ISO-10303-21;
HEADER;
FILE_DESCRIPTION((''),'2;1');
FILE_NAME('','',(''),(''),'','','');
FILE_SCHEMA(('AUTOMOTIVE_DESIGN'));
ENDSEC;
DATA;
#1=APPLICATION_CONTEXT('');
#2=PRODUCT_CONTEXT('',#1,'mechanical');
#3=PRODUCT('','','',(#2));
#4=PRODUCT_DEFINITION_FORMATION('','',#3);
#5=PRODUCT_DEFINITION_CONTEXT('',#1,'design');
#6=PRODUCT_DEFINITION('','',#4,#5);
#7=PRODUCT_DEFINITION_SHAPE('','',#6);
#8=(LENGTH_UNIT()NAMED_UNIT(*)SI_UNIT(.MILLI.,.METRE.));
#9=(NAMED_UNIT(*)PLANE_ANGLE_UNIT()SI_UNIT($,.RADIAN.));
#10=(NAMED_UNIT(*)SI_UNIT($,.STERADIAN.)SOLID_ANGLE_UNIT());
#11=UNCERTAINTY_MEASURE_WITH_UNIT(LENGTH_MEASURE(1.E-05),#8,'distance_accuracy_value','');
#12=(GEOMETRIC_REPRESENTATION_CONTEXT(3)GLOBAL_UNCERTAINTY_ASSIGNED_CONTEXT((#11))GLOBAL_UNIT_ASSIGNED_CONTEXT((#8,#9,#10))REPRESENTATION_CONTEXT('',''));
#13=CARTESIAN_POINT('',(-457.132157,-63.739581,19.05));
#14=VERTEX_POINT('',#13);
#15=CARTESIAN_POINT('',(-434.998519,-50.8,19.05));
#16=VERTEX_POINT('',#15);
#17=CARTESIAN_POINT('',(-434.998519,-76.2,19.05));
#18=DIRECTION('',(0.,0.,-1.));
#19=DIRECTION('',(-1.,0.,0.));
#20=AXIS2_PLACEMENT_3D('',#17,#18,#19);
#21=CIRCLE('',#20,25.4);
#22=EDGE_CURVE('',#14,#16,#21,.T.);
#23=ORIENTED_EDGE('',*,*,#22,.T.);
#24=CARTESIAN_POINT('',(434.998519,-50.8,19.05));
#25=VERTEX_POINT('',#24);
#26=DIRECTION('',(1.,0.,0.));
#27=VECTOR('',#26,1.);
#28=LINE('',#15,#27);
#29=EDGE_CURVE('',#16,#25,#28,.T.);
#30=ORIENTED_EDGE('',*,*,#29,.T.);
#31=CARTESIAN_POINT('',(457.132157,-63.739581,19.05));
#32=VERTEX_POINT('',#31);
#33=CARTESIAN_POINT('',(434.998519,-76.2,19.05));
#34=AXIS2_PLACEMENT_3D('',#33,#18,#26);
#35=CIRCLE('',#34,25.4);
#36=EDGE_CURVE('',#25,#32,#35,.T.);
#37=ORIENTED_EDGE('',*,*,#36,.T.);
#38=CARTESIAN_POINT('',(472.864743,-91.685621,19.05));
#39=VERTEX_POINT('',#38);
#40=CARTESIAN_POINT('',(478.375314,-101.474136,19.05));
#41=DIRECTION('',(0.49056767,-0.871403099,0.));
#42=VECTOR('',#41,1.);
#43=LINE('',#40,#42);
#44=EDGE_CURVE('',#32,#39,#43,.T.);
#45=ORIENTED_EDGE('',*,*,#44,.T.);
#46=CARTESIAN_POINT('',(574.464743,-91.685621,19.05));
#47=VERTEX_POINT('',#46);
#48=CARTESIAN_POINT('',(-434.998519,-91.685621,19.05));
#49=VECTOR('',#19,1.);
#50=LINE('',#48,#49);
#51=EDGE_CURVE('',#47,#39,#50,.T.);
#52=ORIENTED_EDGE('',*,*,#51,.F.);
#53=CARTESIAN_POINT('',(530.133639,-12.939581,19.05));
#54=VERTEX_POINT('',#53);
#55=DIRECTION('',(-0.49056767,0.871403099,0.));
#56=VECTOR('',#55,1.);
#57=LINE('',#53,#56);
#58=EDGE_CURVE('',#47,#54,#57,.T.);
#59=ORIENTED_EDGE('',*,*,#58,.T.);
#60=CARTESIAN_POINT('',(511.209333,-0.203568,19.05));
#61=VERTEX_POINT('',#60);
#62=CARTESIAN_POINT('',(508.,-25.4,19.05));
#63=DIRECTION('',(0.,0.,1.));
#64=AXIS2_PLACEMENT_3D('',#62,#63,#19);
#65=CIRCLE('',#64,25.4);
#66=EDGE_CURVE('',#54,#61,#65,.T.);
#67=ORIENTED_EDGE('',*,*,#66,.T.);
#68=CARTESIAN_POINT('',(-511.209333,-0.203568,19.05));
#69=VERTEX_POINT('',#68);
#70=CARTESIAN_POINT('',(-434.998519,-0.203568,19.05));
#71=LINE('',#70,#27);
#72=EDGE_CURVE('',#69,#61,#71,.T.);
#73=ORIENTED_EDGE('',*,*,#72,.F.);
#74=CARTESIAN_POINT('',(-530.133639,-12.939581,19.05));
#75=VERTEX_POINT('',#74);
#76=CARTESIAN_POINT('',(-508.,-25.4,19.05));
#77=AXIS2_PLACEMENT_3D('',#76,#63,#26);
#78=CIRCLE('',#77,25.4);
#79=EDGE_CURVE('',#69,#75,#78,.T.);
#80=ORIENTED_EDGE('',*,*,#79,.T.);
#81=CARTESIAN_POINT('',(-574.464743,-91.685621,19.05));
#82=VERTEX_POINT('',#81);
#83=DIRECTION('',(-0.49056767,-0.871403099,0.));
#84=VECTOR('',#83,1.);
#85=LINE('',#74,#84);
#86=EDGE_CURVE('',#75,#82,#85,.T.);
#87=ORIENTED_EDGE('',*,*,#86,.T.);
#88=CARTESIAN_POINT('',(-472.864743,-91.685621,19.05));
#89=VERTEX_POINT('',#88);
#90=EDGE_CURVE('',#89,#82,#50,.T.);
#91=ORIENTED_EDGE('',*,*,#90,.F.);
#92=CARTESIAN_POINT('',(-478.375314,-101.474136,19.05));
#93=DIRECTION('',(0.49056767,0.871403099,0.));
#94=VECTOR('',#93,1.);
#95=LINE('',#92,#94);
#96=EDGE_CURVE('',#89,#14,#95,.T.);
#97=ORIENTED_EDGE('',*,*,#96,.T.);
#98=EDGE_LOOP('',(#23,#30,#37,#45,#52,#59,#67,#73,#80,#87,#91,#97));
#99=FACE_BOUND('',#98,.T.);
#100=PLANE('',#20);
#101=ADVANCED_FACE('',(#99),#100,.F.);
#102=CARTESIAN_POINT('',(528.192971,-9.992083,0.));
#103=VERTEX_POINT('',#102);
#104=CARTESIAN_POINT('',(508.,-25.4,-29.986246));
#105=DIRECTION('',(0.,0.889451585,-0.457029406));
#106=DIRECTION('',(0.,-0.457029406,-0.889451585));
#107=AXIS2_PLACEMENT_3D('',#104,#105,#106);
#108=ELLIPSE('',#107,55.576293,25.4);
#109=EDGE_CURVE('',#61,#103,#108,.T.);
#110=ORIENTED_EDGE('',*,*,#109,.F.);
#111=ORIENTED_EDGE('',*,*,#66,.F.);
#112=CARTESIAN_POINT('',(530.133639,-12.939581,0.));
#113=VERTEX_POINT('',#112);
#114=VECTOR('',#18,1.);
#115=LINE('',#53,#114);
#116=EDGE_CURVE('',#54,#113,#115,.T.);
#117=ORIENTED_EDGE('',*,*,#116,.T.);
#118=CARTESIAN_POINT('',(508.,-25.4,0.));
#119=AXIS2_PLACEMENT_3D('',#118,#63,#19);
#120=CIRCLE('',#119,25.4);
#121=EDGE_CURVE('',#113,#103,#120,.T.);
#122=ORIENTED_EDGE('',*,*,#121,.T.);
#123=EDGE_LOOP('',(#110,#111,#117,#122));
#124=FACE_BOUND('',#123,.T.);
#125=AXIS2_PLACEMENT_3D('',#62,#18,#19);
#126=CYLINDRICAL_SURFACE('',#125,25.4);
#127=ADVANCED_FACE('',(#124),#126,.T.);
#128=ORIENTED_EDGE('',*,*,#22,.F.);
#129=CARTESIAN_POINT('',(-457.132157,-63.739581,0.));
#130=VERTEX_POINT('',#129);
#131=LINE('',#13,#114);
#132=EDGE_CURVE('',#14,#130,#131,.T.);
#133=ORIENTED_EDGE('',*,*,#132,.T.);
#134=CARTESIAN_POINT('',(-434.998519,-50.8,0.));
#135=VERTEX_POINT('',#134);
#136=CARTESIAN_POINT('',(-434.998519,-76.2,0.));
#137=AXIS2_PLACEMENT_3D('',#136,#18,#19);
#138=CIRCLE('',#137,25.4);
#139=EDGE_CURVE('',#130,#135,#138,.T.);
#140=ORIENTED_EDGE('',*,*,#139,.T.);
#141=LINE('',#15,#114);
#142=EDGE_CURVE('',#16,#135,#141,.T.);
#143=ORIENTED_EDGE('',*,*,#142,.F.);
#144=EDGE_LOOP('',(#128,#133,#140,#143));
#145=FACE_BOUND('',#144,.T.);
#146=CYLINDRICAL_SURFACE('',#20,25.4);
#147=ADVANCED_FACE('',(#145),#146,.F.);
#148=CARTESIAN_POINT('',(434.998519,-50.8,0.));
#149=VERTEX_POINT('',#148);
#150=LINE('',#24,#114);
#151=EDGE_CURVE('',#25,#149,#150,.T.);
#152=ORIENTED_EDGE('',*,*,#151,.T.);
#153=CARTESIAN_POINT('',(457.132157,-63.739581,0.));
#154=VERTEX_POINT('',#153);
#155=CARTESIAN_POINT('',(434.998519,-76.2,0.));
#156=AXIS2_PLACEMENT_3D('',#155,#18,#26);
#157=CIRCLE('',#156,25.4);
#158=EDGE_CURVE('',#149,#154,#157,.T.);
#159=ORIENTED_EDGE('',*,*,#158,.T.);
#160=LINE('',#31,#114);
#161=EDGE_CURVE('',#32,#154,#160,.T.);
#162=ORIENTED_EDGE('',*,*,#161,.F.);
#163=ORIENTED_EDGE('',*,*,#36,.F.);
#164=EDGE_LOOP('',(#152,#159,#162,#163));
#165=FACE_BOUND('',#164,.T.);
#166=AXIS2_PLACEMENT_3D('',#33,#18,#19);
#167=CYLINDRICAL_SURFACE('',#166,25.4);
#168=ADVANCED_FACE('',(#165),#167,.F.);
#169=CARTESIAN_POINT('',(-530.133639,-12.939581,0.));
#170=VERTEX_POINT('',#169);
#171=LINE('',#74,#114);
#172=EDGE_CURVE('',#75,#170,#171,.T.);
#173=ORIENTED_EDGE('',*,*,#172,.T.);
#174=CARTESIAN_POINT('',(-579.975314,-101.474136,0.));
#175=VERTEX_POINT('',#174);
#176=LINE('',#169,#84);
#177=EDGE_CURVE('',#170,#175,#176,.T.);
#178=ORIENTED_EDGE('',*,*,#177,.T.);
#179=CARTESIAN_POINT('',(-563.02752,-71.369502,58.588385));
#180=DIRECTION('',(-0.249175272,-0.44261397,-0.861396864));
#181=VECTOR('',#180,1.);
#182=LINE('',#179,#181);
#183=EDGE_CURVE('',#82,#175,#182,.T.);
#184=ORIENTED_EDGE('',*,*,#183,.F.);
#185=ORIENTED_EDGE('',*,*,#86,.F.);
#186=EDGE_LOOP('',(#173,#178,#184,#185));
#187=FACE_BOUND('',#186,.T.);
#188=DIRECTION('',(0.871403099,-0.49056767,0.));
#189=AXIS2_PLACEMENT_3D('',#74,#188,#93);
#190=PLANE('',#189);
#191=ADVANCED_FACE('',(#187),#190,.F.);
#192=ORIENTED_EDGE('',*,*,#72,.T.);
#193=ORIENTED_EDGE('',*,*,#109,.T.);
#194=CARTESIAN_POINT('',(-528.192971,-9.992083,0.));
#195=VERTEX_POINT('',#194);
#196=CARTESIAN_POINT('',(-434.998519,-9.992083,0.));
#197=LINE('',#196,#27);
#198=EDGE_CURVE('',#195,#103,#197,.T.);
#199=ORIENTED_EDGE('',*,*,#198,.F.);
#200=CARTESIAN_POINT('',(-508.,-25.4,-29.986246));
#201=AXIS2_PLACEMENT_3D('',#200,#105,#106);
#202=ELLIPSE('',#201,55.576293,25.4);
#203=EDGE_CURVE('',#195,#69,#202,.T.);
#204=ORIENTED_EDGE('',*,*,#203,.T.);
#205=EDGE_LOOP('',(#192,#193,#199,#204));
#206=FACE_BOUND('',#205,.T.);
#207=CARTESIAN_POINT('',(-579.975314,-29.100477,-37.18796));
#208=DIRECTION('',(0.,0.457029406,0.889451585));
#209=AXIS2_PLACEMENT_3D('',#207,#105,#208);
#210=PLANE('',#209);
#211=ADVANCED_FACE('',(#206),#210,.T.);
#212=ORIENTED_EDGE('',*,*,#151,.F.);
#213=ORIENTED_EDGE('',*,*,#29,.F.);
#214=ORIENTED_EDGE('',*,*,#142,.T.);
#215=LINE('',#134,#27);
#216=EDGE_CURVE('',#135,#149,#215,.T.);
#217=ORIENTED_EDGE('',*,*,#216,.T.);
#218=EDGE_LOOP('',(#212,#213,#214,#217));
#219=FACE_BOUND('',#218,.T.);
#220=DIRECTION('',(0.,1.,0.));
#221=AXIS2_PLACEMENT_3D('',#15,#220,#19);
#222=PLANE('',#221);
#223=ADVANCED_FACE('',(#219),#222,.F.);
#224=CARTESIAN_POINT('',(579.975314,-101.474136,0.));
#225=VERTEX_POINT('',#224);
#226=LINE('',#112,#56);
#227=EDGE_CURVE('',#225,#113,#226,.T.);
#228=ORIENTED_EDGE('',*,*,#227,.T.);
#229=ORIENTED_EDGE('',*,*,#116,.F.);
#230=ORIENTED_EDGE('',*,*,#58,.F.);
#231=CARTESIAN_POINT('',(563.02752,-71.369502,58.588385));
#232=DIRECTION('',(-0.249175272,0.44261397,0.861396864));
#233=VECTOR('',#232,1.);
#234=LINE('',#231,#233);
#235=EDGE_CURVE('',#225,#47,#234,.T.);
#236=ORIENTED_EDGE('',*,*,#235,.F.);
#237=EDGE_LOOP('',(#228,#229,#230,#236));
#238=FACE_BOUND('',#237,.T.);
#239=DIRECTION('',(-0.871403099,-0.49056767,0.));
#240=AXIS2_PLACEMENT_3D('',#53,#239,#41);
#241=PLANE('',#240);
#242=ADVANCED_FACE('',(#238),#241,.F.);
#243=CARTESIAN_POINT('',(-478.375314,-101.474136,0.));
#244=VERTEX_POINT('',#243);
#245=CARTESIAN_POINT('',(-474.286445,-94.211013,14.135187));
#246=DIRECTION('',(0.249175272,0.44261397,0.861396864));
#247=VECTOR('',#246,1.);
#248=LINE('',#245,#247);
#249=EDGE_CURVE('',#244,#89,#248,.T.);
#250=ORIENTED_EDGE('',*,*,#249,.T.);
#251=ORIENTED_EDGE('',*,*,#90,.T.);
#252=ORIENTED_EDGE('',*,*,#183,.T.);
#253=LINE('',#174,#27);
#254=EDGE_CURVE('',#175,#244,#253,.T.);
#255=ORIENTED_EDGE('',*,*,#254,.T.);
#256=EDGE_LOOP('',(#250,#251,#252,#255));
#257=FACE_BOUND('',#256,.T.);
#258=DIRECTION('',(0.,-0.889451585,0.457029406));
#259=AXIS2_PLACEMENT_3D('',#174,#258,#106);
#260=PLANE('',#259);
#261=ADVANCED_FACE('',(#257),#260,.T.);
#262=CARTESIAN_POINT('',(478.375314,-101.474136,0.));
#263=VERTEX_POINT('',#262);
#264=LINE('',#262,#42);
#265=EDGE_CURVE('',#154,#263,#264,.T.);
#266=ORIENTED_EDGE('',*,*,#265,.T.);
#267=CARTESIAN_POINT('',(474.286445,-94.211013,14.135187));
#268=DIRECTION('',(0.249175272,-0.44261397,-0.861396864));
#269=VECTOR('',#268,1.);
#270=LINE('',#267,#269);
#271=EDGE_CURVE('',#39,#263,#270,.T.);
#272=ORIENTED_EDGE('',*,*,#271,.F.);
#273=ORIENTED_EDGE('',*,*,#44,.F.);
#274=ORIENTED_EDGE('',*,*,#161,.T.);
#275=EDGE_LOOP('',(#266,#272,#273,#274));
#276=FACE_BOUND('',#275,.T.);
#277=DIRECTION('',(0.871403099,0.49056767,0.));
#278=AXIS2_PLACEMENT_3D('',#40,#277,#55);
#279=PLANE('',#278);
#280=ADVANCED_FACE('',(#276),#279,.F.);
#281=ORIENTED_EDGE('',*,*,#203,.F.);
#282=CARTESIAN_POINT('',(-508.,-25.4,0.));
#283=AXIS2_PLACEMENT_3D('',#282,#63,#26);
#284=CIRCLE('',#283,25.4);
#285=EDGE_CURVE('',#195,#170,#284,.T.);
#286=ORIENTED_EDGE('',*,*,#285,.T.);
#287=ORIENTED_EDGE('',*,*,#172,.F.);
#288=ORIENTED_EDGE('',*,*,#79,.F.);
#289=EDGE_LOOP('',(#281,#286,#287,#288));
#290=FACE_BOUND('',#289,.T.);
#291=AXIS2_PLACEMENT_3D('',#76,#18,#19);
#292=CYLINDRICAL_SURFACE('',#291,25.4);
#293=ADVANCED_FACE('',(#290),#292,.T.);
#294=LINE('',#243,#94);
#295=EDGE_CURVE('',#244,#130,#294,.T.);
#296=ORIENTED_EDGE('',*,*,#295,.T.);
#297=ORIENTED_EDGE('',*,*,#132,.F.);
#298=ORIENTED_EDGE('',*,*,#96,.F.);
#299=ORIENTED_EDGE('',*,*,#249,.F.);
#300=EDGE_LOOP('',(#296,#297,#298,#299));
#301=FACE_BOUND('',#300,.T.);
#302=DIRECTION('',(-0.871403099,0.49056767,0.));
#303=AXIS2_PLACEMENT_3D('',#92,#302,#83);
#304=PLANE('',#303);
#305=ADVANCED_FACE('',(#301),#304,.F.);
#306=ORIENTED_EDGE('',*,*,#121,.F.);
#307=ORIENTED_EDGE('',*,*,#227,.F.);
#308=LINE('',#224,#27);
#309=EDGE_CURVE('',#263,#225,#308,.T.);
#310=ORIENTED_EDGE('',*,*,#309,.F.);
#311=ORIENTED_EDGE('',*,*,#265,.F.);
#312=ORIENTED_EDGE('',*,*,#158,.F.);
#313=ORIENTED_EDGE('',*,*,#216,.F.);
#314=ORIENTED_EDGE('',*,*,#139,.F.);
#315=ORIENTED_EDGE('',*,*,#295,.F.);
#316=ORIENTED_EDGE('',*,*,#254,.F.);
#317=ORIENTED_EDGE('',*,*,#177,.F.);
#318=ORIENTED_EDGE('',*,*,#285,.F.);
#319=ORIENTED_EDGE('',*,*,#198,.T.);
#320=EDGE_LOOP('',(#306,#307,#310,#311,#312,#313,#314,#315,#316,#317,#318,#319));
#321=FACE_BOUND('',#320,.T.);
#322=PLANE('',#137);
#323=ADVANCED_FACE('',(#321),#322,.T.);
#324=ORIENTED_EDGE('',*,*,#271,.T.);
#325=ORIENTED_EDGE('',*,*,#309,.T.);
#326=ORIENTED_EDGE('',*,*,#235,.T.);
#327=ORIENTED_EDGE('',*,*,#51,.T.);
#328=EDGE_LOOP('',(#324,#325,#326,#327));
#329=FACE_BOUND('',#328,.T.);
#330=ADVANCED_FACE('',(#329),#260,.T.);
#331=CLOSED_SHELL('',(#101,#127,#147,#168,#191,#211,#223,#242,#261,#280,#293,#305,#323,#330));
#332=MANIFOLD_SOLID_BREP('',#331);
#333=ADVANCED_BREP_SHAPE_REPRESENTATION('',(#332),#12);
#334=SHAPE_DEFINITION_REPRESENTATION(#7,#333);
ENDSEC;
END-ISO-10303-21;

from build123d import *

# Parameters (mm, degrees)
BOSS_EXTRUDE1_DEPTH     = 19.05
SKETCH2_W               = 197.138384739
SKETCH2_H               = 233.965884384
CUT_EXTRUDE1_DEPTH      = 580.97531403
CUT_EXTRUDE1_DEPTH_BACK = 580.97531403


with BuildPart() as part:
    # Sketch1 → Boss-Extrude1 (new body)
    with BuildSketch(Plane.XY):
        with BuildLine():
            Line((508, 0), (-508, 0))
            ThreePointArc((-508, 0), (-520.8192309, -3.472224939), (-530.133638711, -12.93958117))
            Line((-530.133638711, -12.93958117), (-579.97531403, -101.474136014))
            Line((-579.97531403, -101.474136014), (-478.37531403, -101.474136014))
            Line((-478.37531403, -101.474136014), (-457.132157229, -63.73958117))
            ThreePointArc((-457.132157229, -63.73958117), (-447.817749418, -54.272224939), (-434.998518519, -50.8))
            Line((-434.998518519, -50.8), (434.998518519, -50.8))
            ThreePointArc((434.998518519, -50.8), (447.817749418, -54.272224939), (457.132157229, -63.73958117))
            Line((457.132157229, -63.73958117), (478.37531403, -101.474136014))
            Line((478.37531403, -101.474136014), (579.97531403, -101.474136014))
            Line((579.97531403, -101.474136014), (530.133638711, -12.93958117))
            ThreePointArc((530.133638711, -12.93958117), (520.8192309, -3.472224939), (508, 0))
        make_face()
    extrude(amount=BOSS_EXTRUDE1_DEPTH)

    # Sketch2 → Cut-Extrude1 (cut, two sides)
    with BuildSketch(Plane(origin=(0, 0, 0), x_dir=(0, 0, -1), z_dir=(1, 0, 0))) as cut_extrude1_sk:
        with Locations((-13.729414766, -53.345438188)):
            Rectangle(SKETCH2_W, SKETCH2_H)
        Polygon((0, -101.474136014), (-60.85250598, -70.206121999), (-23.664545619, 2.167536884), (37.187960361, -29.100477131), align=None, mode=Mode.SUBTRACT)
    extrude(amount=CUT_EXTRUDE1_DEPTH, mode=Mode.SUBTRACT)
    extrude(cut_extrude1_sk.sketch, amount=-CUT_EXTRUDE1_DEPTH_BACK, mode=Mode.SUBTRACT)


solid = part.part
